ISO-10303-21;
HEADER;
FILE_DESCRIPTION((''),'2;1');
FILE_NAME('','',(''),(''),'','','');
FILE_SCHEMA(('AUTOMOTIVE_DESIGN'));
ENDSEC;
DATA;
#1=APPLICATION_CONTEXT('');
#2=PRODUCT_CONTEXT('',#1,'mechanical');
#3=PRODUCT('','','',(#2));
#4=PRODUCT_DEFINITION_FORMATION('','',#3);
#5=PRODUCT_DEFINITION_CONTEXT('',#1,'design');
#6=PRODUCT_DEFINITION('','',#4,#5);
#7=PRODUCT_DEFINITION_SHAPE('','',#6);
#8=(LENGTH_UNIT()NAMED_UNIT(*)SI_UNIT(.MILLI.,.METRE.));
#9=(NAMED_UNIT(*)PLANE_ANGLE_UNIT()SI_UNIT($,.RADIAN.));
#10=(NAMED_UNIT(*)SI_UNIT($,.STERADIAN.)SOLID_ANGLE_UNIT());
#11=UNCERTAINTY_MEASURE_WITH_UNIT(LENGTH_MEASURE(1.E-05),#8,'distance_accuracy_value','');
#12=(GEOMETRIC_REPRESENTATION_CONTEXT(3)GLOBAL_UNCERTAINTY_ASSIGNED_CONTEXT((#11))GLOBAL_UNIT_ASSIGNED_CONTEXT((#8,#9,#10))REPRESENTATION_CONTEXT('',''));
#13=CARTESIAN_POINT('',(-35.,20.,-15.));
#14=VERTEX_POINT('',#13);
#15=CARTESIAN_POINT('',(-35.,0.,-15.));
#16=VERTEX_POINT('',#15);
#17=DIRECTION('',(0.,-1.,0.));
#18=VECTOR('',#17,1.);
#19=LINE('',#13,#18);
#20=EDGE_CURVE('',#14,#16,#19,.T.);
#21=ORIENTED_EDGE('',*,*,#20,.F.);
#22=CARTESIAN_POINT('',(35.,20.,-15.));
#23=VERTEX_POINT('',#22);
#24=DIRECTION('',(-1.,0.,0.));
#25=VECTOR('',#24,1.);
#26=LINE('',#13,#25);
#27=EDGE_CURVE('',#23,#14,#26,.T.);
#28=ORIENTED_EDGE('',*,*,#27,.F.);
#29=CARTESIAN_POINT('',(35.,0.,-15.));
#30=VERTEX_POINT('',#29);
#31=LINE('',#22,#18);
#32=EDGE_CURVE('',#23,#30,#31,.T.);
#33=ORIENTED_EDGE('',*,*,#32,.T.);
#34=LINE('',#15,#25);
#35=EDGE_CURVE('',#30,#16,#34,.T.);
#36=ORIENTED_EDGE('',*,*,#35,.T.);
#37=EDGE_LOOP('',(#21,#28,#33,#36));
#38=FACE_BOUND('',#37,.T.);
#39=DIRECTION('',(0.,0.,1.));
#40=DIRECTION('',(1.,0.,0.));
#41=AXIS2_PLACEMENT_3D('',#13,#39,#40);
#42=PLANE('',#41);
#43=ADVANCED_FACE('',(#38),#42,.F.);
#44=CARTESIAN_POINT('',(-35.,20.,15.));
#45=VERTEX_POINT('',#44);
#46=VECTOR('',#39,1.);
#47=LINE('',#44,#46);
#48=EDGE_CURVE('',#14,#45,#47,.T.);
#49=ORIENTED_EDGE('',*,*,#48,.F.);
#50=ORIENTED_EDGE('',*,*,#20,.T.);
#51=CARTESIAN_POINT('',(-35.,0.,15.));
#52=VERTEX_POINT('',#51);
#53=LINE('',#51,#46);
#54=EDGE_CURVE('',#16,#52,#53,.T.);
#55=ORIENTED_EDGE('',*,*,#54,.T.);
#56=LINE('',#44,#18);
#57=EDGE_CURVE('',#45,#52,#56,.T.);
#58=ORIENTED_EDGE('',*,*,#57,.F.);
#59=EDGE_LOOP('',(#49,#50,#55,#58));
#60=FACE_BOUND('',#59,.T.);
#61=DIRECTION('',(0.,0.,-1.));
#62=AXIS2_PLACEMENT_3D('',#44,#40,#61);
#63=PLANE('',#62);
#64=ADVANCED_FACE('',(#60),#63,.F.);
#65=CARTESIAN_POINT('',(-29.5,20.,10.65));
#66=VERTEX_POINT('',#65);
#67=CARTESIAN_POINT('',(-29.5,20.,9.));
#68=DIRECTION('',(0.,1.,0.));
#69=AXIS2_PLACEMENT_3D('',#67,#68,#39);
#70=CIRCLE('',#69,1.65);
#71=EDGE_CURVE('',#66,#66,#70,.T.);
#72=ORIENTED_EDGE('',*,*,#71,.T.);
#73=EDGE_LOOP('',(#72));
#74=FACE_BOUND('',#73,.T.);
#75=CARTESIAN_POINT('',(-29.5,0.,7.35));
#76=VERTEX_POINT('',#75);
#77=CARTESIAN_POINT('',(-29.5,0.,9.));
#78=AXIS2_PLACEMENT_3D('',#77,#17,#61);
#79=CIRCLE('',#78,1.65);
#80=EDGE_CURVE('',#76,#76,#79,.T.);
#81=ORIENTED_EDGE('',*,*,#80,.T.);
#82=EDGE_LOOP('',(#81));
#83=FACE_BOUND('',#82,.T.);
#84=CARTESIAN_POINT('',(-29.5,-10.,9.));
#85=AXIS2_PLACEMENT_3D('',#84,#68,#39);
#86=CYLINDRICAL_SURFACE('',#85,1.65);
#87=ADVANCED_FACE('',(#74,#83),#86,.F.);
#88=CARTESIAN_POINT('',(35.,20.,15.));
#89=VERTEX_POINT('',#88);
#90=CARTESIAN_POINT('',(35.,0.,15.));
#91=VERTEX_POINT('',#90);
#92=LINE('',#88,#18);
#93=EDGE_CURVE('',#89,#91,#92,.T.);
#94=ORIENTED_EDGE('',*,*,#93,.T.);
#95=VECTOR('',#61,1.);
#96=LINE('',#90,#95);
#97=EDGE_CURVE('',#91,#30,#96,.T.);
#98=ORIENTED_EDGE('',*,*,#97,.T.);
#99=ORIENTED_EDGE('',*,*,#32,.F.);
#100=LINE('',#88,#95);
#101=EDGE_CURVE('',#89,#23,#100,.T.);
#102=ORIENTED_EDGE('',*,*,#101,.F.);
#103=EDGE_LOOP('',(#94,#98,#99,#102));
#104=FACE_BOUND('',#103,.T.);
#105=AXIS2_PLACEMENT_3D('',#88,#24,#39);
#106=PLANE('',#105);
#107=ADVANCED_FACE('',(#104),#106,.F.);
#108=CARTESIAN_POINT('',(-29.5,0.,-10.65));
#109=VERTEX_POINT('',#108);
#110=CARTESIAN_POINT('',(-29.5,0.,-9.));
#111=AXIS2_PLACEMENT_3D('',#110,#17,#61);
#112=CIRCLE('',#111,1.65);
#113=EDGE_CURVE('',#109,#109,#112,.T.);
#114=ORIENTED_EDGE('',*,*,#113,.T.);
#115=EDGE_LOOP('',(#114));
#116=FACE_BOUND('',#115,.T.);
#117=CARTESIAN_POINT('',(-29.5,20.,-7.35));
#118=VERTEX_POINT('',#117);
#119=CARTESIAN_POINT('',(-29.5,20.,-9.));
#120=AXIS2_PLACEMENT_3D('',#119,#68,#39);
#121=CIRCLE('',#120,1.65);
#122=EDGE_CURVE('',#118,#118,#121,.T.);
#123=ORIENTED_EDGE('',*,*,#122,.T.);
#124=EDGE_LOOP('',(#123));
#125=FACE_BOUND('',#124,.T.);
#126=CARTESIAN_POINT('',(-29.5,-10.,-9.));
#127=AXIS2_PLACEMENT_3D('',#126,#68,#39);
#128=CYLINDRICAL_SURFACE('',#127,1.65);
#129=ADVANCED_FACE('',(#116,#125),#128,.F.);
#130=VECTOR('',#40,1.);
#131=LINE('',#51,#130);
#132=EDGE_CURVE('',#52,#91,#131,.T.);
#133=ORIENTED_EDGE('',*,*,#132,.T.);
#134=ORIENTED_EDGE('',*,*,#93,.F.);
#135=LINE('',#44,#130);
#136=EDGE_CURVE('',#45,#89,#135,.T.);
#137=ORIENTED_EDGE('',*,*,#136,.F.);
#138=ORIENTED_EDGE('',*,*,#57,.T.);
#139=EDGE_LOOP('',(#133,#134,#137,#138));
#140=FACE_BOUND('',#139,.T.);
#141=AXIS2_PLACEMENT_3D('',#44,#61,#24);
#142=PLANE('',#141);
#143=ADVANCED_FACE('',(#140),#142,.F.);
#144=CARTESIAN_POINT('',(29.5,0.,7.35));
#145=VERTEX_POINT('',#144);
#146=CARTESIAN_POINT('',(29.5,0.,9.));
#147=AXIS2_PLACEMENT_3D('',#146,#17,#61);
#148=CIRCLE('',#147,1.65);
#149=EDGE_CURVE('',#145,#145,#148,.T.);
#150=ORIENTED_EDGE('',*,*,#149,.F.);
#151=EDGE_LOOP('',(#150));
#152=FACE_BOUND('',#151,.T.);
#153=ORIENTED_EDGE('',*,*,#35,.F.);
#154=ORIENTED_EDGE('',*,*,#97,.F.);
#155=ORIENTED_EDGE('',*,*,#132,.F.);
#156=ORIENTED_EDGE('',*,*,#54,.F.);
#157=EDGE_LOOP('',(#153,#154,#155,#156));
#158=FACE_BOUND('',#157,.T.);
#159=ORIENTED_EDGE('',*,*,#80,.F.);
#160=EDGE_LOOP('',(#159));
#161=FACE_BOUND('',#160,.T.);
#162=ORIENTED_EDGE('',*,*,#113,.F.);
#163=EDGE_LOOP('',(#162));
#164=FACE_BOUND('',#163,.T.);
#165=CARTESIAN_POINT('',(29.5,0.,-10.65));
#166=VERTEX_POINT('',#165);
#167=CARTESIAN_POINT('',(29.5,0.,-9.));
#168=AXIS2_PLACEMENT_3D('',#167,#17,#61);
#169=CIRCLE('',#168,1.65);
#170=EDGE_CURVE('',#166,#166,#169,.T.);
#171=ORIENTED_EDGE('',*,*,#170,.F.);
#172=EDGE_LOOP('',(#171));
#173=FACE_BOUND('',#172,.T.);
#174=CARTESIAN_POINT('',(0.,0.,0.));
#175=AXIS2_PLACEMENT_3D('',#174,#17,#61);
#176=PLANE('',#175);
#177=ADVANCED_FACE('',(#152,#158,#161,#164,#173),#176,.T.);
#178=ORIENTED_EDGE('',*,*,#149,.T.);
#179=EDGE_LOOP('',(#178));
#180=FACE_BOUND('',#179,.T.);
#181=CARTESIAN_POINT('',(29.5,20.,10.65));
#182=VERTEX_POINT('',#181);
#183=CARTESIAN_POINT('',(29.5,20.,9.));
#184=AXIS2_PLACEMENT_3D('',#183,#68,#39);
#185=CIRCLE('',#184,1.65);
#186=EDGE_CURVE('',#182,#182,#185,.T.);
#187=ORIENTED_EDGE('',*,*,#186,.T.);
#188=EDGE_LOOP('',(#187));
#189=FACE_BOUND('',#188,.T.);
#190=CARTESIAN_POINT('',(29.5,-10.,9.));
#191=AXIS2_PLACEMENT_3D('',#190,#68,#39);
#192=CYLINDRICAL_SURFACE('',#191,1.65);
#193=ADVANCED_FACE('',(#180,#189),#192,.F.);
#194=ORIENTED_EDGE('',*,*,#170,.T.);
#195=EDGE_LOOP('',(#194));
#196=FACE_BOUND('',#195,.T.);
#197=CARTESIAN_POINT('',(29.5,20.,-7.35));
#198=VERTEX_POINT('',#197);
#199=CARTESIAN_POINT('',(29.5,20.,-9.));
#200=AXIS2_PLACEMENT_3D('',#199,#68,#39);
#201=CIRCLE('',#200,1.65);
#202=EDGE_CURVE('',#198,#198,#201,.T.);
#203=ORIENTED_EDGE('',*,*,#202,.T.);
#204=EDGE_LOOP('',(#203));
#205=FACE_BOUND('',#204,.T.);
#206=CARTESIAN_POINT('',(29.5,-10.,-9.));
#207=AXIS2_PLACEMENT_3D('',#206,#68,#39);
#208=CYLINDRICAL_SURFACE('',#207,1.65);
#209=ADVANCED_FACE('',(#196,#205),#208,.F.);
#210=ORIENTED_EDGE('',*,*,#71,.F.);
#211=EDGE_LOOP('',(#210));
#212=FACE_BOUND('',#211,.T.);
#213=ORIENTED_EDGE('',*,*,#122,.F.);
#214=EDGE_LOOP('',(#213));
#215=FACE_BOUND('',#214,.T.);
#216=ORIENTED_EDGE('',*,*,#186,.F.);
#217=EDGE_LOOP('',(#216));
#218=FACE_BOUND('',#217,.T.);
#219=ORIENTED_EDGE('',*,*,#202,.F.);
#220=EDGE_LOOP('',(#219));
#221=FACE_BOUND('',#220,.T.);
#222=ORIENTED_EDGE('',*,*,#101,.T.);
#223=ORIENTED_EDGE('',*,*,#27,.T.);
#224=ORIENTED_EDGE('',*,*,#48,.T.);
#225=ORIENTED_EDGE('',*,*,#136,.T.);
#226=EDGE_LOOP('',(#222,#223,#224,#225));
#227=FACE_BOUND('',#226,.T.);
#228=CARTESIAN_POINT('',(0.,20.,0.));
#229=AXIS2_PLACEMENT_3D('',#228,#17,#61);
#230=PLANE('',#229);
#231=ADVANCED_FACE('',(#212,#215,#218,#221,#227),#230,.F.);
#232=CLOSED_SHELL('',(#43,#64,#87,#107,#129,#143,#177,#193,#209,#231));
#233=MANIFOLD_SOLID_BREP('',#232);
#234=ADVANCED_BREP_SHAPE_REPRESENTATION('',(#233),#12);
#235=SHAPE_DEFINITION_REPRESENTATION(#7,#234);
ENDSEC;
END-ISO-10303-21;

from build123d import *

# Parameters (mm, degrees)
SKETCH2_W           = 70
SKETCH2_H           = 30
BOSS_EXTRUDE1_DEPTH = 20
SKETCH3_R           = 1.65
CUT_EXTRUDE1_DEPTH  = 30


with BuildPart() as part:
    # Sketch2 → Boss-Extrude1 (new body)
    with BuildSketch(Plane(origin=(0, 0, 0), x_dir=(1, 0, 0), z_dir=(0, 1, 0))):
        Rectangle(SKETCH2_W, SKETCH2_H)
    extrude(amount=BOSS_EXTRUDE1_DEPTH)

    # Sketch3 → Cut-Extrude1 (cut)
    with BuildSketch(Plane(origin=(0, 20, 0), x_dir=(1, 0, 0), z_dir=(0, 1, 0))):
        with Locations((-29.5, 9)):
            Circle(SKETCH3_R)
        with Locations((29.5, 9)):
            Circle(SKETCH3_R)
        with Locations((29.5, -9)):
            Circle(SKETCH3_R)
        with Locations((-29.5, -9)):
            Circle(SKETCH3_R)
    extrude(amount=-CUT_EXTRUDE1_DEPTH, mode=Mode.SUBTRACT)


solid = part.part
